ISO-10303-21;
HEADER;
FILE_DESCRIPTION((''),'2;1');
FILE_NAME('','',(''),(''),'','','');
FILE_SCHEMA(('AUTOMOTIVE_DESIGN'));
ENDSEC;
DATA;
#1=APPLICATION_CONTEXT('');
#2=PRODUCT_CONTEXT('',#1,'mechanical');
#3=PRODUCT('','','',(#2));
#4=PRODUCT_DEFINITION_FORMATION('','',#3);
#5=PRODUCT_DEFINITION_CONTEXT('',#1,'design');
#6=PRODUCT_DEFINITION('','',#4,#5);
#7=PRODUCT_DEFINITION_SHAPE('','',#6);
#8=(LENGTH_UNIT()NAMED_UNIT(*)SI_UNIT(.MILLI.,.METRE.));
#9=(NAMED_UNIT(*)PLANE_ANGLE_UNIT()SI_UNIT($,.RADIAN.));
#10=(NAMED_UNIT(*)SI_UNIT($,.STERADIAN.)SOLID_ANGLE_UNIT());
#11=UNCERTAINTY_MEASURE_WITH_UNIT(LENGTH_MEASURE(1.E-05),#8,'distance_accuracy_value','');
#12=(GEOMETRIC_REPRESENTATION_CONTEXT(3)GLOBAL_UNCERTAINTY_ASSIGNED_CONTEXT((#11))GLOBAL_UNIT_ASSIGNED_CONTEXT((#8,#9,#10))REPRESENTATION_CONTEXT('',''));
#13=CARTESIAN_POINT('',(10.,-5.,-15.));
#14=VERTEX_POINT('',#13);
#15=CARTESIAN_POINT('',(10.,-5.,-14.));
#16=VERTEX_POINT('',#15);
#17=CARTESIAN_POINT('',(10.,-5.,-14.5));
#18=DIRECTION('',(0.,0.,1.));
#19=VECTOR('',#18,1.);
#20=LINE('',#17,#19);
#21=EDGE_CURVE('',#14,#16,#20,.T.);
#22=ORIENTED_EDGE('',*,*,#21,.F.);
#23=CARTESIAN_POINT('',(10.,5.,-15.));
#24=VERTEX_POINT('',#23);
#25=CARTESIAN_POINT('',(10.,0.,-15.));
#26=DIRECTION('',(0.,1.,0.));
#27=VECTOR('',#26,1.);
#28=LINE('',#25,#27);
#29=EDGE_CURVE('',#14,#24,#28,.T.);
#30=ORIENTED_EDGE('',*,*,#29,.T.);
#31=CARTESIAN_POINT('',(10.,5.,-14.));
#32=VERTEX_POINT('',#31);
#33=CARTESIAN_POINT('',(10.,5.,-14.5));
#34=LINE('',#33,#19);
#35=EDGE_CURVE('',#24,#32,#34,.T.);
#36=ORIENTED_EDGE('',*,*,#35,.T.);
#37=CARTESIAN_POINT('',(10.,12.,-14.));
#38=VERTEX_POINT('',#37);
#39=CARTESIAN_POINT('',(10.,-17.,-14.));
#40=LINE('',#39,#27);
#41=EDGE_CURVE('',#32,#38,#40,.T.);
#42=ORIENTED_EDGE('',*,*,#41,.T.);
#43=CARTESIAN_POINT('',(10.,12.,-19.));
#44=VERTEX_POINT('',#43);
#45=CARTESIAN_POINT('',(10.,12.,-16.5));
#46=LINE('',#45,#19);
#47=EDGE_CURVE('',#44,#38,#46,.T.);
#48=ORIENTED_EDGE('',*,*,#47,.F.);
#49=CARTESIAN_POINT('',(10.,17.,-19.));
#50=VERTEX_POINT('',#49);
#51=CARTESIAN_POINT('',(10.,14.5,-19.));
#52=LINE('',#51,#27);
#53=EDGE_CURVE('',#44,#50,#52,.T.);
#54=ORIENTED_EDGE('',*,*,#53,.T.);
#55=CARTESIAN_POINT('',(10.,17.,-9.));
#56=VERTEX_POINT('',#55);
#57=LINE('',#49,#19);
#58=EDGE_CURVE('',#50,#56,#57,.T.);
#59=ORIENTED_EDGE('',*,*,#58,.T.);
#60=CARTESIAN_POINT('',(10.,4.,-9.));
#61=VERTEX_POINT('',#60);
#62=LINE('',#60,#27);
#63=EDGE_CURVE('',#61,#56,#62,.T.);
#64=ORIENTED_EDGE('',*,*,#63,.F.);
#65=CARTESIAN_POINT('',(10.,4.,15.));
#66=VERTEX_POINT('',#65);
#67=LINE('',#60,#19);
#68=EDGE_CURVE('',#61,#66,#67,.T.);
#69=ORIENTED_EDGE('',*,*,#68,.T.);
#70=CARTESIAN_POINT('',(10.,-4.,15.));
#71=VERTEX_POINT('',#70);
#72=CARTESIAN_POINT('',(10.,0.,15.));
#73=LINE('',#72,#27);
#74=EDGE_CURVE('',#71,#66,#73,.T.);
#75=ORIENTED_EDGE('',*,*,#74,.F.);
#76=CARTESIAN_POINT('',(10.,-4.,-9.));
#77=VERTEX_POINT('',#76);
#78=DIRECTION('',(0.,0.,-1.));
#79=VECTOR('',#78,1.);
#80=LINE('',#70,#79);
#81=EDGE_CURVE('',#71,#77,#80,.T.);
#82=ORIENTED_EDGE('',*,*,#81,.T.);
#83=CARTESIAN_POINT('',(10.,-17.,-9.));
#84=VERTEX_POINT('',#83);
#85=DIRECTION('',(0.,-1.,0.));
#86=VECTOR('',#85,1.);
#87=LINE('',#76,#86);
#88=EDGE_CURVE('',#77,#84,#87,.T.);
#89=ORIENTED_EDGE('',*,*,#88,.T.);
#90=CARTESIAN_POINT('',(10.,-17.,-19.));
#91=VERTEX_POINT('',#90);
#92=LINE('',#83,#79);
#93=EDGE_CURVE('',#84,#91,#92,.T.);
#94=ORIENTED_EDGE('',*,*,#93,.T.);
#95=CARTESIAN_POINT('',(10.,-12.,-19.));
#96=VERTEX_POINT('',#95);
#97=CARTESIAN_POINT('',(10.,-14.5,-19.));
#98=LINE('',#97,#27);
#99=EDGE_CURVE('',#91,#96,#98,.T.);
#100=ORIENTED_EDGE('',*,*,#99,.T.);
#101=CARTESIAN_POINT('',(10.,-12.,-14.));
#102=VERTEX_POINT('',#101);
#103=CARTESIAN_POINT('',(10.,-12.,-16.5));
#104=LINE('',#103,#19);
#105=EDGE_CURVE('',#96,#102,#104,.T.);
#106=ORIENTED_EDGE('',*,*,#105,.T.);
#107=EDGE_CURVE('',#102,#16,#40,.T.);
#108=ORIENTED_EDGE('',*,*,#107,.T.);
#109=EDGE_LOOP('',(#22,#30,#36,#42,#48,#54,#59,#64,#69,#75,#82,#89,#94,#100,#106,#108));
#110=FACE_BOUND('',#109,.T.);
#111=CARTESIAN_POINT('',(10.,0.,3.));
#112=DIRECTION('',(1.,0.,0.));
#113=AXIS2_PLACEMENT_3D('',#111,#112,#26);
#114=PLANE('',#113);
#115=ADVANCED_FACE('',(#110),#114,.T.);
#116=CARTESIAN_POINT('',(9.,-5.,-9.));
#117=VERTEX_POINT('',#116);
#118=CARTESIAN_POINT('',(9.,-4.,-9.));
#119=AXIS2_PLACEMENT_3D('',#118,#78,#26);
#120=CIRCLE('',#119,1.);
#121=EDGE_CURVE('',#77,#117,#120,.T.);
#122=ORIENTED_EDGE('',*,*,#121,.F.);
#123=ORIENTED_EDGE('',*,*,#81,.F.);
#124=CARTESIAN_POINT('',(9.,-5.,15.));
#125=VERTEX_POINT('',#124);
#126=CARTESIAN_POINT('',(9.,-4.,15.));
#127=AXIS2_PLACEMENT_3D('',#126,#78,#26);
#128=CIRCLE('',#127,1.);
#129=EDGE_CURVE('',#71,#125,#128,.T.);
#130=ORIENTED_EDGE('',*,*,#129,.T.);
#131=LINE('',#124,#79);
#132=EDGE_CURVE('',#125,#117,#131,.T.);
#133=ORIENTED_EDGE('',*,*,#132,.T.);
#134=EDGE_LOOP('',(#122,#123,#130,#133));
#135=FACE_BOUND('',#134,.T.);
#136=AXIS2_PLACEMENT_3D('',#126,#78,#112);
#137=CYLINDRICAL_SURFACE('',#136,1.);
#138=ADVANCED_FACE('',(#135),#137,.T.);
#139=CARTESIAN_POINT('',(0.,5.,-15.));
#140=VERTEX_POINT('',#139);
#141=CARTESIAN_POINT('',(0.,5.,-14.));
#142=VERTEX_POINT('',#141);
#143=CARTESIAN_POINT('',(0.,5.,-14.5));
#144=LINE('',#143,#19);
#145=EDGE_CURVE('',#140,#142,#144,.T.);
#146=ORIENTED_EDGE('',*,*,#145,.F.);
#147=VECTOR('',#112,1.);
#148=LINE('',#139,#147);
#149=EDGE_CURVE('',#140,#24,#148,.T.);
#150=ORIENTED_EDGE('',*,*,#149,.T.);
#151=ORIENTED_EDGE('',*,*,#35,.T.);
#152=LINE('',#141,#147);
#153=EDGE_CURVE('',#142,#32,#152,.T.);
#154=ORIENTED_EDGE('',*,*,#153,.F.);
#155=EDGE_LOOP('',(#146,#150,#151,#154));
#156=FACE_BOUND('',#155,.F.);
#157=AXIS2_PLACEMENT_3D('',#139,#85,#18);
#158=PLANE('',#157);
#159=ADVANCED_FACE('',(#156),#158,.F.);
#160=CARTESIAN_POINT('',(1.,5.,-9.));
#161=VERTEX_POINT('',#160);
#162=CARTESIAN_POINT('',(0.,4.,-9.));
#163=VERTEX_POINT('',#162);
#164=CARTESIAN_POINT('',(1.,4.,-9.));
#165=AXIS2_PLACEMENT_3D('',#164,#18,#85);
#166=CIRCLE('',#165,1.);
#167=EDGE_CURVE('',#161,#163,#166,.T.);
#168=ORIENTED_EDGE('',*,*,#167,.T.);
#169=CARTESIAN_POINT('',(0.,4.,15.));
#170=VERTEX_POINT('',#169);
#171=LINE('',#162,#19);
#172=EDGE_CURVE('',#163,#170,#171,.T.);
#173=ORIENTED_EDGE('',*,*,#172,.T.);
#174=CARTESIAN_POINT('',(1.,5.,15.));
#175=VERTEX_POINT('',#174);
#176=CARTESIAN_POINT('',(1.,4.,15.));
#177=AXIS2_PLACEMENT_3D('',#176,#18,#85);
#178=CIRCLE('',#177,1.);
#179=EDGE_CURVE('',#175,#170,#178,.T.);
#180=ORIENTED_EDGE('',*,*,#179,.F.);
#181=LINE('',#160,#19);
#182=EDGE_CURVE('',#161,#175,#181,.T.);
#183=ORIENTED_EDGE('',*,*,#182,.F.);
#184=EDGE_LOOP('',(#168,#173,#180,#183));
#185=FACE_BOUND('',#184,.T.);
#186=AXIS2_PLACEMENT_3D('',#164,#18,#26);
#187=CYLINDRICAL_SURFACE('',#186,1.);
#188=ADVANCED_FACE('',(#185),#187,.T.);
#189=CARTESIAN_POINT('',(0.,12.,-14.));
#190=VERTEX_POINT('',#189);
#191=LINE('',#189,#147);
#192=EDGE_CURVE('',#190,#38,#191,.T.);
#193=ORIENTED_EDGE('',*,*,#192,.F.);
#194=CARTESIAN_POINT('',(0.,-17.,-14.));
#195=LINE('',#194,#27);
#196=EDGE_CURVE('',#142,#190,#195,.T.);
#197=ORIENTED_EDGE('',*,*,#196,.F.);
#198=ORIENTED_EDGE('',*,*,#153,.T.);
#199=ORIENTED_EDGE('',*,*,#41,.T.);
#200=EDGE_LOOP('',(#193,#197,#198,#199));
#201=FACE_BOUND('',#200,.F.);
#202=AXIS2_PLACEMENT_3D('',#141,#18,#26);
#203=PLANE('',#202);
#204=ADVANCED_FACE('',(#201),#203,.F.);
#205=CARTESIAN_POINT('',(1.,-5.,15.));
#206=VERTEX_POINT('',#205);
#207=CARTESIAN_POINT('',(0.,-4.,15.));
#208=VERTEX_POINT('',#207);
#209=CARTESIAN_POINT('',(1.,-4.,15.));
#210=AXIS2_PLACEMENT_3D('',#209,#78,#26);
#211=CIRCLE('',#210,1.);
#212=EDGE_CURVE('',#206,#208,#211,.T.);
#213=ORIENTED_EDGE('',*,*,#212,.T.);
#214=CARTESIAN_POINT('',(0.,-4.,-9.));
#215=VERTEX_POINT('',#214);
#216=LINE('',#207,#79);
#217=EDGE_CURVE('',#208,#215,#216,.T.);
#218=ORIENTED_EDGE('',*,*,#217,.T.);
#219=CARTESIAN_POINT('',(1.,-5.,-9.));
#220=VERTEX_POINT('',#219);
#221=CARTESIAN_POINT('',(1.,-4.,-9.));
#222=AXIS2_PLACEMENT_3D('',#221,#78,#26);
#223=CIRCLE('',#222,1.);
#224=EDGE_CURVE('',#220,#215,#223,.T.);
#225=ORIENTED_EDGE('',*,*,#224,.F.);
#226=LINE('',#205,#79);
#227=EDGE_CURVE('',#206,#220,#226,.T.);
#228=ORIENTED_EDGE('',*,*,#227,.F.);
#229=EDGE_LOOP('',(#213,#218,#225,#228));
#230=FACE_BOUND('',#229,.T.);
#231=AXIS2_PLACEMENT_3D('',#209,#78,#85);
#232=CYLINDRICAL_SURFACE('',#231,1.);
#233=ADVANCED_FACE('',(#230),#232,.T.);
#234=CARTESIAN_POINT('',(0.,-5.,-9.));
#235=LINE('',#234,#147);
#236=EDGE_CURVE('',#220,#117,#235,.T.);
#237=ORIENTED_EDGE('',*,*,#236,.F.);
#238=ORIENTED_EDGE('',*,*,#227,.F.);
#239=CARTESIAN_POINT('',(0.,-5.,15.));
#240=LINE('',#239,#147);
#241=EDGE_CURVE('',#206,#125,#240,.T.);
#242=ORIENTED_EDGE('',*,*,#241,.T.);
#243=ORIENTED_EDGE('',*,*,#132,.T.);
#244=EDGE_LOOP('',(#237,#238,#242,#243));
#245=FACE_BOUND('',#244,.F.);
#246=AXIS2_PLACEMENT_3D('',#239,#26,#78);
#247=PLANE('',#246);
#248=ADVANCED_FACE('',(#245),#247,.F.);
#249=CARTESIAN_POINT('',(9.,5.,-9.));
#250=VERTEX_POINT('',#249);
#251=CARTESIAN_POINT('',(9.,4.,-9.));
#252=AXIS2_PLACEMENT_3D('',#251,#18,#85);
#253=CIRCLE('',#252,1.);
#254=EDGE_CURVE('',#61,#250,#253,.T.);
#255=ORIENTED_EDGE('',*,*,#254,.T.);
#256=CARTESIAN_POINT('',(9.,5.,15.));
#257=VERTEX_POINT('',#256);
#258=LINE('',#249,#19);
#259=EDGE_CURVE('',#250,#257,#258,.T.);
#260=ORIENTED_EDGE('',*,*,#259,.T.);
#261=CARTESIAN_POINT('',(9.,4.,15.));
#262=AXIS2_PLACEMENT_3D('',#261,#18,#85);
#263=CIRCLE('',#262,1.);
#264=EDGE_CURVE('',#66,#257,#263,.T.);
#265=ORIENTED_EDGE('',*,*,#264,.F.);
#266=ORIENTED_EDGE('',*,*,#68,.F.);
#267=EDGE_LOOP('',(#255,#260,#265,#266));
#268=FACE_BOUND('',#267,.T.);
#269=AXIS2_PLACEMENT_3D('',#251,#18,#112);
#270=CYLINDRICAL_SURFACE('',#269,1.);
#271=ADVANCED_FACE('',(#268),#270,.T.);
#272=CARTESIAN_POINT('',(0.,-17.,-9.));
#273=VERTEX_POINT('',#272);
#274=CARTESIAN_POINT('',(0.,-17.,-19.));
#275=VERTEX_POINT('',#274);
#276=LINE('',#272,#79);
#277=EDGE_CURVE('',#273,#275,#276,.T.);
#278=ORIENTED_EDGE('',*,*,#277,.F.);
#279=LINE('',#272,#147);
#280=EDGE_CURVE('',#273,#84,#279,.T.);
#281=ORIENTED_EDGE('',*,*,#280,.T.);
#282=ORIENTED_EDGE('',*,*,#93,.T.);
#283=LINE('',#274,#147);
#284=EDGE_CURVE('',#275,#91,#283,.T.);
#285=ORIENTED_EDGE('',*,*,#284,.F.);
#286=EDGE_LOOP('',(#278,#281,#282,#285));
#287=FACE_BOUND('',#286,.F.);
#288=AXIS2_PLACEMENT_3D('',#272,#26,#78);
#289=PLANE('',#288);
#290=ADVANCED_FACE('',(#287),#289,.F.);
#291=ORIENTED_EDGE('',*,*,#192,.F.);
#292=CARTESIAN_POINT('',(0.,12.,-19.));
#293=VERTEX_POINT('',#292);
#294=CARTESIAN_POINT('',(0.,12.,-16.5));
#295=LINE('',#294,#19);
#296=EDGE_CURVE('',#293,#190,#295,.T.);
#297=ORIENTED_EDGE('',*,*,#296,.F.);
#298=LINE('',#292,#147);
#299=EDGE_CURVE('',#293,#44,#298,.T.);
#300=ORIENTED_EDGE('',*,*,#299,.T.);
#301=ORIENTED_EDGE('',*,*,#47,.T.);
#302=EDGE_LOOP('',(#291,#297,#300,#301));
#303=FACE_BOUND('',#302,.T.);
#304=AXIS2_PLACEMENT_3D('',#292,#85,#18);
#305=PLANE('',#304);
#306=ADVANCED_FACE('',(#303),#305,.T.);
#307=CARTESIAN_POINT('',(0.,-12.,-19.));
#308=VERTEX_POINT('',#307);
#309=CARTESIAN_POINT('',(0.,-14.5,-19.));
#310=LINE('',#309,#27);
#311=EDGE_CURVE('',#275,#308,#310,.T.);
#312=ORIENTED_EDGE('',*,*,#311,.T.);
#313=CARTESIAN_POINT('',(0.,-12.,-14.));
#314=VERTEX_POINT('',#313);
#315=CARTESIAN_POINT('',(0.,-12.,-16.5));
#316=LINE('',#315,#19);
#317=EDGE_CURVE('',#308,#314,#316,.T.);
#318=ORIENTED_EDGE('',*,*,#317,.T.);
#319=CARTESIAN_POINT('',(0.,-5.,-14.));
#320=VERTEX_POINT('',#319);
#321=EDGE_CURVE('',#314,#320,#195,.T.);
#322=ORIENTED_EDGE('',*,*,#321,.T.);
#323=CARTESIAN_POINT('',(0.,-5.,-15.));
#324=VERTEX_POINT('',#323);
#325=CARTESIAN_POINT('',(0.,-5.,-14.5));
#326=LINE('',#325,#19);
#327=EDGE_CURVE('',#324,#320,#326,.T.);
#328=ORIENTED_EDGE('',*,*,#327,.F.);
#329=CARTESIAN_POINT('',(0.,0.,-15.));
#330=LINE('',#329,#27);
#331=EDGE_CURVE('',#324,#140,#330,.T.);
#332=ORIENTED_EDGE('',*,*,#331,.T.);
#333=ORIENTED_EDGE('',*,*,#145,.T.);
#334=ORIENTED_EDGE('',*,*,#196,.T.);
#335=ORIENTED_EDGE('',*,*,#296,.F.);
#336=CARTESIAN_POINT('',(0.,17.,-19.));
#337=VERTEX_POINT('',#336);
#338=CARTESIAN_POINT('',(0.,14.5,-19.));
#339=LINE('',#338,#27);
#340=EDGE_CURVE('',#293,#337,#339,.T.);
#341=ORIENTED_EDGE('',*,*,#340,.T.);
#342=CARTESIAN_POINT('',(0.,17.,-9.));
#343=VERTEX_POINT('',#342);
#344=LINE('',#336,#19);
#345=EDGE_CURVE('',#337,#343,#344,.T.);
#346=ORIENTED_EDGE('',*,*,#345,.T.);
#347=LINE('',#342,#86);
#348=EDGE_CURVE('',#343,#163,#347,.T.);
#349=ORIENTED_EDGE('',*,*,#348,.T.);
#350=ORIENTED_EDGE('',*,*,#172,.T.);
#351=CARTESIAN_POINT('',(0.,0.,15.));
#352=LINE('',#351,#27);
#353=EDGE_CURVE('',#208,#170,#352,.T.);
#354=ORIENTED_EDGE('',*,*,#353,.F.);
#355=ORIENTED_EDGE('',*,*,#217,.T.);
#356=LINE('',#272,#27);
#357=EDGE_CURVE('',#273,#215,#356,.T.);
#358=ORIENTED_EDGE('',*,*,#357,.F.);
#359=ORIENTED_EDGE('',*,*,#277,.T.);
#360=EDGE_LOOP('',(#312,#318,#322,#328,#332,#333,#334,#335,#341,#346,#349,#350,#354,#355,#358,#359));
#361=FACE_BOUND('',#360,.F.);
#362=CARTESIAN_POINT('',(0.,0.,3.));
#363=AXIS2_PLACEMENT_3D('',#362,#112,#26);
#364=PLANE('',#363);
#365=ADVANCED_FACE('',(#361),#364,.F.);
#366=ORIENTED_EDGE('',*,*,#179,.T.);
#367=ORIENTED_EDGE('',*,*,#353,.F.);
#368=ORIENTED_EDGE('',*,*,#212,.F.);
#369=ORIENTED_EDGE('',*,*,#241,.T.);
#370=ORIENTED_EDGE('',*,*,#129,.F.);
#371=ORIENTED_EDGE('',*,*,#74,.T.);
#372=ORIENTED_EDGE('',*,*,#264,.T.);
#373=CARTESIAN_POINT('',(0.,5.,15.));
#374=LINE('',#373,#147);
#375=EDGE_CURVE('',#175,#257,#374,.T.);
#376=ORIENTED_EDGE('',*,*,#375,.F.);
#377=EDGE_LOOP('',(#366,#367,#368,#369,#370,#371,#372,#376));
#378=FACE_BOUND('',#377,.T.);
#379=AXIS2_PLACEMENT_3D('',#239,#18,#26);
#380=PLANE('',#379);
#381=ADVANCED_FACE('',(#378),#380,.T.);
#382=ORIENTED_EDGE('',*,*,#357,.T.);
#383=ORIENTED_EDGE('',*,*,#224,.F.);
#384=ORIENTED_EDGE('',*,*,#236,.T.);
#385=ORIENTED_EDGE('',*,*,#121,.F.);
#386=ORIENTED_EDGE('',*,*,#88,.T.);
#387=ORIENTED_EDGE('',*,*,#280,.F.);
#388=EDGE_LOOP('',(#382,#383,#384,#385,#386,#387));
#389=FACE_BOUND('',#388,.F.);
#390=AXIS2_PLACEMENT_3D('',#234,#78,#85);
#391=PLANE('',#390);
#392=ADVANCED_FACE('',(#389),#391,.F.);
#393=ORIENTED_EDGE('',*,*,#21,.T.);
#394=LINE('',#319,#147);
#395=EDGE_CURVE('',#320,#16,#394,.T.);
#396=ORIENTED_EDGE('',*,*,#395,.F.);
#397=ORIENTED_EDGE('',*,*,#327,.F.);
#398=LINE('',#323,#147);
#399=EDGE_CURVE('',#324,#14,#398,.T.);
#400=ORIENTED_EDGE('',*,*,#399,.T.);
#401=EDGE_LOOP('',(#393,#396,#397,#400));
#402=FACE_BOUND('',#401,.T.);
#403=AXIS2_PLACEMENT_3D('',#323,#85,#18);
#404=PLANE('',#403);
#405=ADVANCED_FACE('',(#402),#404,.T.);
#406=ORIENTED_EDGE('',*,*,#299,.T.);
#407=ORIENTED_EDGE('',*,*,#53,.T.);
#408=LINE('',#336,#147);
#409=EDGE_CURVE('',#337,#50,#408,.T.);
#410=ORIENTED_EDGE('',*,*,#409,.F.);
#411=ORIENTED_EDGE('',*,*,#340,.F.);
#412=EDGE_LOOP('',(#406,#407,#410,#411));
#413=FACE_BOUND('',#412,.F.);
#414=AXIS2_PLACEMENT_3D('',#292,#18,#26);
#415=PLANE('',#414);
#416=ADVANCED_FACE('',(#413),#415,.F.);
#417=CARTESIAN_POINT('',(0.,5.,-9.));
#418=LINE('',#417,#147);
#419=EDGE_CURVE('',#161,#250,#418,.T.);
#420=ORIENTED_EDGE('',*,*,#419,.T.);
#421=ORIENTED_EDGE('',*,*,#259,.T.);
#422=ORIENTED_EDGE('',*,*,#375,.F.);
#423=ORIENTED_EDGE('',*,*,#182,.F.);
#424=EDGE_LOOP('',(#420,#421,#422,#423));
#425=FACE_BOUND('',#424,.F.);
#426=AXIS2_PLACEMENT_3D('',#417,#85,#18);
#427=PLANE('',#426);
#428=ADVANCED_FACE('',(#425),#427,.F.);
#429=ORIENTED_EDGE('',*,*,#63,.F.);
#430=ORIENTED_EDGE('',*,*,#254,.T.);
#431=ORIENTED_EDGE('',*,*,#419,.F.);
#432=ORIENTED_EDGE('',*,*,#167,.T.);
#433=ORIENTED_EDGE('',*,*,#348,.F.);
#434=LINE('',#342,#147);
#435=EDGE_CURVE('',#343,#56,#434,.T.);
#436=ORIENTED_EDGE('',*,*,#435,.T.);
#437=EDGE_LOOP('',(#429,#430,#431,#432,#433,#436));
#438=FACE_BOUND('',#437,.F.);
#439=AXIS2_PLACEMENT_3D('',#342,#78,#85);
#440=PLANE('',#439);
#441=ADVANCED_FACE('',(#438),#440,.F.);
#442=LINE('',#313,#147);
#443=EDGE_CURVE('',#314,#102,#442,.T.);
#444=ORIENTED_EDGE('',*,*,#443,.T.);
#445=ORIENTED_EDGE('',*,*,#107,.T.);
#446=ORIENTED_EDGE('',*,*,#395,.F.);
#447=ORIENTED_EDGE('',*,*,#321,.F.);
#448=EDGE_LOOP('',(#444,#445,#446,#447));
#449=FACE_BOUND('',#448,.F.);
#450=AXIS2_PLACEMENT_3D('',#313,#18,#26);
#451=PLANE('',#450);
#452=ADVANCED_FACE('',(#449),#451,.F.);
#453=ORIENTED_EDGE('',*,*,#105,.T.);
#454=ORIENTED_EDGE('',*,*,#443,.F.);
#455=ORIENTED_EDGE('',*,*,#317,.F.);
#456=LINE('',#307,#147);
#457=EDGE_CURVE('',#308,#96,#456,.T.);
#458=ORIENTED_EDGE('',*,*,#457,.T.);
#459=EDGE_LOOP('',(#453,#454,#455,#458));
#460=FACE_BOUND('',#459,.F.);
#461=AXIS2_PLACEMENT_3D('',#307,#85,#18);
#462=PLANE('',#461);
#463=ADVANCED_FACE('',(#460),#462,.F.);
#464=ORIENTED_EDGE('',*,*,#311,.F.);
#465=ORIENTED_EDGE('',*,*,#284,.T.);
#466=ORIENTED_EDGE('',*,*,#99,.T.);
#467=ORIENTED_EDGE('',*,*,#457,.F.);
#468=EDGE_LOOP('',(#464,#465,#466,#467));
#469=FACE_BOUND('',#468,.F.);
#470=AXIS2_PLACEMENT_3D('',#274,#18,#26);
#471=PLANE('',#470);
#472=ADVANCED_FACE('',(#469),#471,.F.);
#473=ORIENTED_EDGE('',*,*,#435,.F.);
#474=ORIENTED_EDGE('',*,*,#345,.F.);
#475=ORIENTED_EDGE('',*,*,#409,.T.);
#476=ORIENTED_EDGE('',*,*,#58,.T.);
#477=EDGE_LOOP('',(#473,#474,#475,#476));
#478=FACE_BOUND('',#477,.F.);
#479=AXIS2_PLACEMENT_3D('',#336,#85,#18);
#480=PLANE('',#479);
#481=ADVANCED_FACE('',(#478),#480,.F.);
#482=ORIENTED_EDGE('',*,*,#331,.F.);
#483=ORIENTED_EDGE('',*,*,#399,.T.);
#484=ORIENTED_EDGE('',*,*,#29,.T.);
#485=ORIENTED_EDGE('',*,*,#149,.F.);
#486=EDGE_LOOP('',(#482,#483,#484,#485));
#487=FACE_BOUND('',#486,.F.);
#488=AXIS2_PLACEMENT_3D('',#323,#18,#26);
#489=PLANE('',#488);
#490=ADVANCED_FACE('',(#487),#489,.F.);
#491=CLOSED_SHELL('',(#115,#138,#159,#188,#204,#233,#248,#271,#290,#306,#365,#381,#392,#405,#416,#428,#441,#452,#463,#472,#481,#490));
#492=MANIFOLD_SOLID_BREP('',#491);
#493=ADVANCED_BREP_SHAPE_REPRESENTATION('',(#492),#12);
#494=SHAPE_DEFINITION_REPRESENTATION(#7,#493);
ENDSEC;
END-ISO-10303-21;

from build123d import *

# Parameters (mm, degrees)
F0_W     = 10
F0_H     = 24
F0_H_2   = 5
F0_W_2   = 7
F0_W_3   = 5
F0_H_3   = 1
F1_DEPTH = 10
F2_R     = 1
F3_R     = 1
F4_R     = 1
F5_R     = 1


with BuildPart() as f1:
    # F0 (on Right) → F1 (new body)
    with BuildSketch(Plane.YZ):
        with Locations((0, 3)):
            Rectangle(F0_W, F0_H)
        with Locations((0, -11.5)):
            Rectangle(F0_W, F0_H_2)
        with Locations((8.5, -11.5)):
            Rectangle(F0_W_2, F0_H_2)
        with Locations((14.5, -11.5)):
            Rectangle(F0_W_3, F0_H_2)
        with Locations((14.5, -16.5)):
            Rectangle(F0_W_3, F0_H_2)
        with Locations((-8.5, -11.5)):
            Rectangle(F0_W_2, F0_H_2)
        with Locations((-14.5, -11.5)):
            Rectangle(F0_W_3, F0_H_2)
        with Locations((-14.5, -16.5)):
            Rectangle(F0_W_3, F0_H_2)
        with Locations((0, -14.5)):
            Rectangle(F0_W, F0_H_3)
    extrude(amount=F1_DEPTH)

    # F2
    f2_edges = [f1.edges().sort_by_distance(p)[0] for p in [
        (0, 5, 3),
    ]]
    fillet(f2_edges, radius=F2_R)

    # F3
    f3_edges = [f1.edges().sort_by_distance(p)[0] for p in [
        (10, 5, 3),
    ]]
    fillet(f3_edges, radius=F3_R)

    # F4
    f4_edges = [f1.edges().sort_by_distance(p)[0] for p in [
        (0, -5, 3),
    ]]
    fillet(f4_edges, radius=F4_R)

    # F5
    f5_edges = [f1.edges().sort_by_distance(p)[0] for p in [
        (10, -5, 3),
    ]]
    fillet(f5_edges, radius=F5_R)


solid = f1.part
